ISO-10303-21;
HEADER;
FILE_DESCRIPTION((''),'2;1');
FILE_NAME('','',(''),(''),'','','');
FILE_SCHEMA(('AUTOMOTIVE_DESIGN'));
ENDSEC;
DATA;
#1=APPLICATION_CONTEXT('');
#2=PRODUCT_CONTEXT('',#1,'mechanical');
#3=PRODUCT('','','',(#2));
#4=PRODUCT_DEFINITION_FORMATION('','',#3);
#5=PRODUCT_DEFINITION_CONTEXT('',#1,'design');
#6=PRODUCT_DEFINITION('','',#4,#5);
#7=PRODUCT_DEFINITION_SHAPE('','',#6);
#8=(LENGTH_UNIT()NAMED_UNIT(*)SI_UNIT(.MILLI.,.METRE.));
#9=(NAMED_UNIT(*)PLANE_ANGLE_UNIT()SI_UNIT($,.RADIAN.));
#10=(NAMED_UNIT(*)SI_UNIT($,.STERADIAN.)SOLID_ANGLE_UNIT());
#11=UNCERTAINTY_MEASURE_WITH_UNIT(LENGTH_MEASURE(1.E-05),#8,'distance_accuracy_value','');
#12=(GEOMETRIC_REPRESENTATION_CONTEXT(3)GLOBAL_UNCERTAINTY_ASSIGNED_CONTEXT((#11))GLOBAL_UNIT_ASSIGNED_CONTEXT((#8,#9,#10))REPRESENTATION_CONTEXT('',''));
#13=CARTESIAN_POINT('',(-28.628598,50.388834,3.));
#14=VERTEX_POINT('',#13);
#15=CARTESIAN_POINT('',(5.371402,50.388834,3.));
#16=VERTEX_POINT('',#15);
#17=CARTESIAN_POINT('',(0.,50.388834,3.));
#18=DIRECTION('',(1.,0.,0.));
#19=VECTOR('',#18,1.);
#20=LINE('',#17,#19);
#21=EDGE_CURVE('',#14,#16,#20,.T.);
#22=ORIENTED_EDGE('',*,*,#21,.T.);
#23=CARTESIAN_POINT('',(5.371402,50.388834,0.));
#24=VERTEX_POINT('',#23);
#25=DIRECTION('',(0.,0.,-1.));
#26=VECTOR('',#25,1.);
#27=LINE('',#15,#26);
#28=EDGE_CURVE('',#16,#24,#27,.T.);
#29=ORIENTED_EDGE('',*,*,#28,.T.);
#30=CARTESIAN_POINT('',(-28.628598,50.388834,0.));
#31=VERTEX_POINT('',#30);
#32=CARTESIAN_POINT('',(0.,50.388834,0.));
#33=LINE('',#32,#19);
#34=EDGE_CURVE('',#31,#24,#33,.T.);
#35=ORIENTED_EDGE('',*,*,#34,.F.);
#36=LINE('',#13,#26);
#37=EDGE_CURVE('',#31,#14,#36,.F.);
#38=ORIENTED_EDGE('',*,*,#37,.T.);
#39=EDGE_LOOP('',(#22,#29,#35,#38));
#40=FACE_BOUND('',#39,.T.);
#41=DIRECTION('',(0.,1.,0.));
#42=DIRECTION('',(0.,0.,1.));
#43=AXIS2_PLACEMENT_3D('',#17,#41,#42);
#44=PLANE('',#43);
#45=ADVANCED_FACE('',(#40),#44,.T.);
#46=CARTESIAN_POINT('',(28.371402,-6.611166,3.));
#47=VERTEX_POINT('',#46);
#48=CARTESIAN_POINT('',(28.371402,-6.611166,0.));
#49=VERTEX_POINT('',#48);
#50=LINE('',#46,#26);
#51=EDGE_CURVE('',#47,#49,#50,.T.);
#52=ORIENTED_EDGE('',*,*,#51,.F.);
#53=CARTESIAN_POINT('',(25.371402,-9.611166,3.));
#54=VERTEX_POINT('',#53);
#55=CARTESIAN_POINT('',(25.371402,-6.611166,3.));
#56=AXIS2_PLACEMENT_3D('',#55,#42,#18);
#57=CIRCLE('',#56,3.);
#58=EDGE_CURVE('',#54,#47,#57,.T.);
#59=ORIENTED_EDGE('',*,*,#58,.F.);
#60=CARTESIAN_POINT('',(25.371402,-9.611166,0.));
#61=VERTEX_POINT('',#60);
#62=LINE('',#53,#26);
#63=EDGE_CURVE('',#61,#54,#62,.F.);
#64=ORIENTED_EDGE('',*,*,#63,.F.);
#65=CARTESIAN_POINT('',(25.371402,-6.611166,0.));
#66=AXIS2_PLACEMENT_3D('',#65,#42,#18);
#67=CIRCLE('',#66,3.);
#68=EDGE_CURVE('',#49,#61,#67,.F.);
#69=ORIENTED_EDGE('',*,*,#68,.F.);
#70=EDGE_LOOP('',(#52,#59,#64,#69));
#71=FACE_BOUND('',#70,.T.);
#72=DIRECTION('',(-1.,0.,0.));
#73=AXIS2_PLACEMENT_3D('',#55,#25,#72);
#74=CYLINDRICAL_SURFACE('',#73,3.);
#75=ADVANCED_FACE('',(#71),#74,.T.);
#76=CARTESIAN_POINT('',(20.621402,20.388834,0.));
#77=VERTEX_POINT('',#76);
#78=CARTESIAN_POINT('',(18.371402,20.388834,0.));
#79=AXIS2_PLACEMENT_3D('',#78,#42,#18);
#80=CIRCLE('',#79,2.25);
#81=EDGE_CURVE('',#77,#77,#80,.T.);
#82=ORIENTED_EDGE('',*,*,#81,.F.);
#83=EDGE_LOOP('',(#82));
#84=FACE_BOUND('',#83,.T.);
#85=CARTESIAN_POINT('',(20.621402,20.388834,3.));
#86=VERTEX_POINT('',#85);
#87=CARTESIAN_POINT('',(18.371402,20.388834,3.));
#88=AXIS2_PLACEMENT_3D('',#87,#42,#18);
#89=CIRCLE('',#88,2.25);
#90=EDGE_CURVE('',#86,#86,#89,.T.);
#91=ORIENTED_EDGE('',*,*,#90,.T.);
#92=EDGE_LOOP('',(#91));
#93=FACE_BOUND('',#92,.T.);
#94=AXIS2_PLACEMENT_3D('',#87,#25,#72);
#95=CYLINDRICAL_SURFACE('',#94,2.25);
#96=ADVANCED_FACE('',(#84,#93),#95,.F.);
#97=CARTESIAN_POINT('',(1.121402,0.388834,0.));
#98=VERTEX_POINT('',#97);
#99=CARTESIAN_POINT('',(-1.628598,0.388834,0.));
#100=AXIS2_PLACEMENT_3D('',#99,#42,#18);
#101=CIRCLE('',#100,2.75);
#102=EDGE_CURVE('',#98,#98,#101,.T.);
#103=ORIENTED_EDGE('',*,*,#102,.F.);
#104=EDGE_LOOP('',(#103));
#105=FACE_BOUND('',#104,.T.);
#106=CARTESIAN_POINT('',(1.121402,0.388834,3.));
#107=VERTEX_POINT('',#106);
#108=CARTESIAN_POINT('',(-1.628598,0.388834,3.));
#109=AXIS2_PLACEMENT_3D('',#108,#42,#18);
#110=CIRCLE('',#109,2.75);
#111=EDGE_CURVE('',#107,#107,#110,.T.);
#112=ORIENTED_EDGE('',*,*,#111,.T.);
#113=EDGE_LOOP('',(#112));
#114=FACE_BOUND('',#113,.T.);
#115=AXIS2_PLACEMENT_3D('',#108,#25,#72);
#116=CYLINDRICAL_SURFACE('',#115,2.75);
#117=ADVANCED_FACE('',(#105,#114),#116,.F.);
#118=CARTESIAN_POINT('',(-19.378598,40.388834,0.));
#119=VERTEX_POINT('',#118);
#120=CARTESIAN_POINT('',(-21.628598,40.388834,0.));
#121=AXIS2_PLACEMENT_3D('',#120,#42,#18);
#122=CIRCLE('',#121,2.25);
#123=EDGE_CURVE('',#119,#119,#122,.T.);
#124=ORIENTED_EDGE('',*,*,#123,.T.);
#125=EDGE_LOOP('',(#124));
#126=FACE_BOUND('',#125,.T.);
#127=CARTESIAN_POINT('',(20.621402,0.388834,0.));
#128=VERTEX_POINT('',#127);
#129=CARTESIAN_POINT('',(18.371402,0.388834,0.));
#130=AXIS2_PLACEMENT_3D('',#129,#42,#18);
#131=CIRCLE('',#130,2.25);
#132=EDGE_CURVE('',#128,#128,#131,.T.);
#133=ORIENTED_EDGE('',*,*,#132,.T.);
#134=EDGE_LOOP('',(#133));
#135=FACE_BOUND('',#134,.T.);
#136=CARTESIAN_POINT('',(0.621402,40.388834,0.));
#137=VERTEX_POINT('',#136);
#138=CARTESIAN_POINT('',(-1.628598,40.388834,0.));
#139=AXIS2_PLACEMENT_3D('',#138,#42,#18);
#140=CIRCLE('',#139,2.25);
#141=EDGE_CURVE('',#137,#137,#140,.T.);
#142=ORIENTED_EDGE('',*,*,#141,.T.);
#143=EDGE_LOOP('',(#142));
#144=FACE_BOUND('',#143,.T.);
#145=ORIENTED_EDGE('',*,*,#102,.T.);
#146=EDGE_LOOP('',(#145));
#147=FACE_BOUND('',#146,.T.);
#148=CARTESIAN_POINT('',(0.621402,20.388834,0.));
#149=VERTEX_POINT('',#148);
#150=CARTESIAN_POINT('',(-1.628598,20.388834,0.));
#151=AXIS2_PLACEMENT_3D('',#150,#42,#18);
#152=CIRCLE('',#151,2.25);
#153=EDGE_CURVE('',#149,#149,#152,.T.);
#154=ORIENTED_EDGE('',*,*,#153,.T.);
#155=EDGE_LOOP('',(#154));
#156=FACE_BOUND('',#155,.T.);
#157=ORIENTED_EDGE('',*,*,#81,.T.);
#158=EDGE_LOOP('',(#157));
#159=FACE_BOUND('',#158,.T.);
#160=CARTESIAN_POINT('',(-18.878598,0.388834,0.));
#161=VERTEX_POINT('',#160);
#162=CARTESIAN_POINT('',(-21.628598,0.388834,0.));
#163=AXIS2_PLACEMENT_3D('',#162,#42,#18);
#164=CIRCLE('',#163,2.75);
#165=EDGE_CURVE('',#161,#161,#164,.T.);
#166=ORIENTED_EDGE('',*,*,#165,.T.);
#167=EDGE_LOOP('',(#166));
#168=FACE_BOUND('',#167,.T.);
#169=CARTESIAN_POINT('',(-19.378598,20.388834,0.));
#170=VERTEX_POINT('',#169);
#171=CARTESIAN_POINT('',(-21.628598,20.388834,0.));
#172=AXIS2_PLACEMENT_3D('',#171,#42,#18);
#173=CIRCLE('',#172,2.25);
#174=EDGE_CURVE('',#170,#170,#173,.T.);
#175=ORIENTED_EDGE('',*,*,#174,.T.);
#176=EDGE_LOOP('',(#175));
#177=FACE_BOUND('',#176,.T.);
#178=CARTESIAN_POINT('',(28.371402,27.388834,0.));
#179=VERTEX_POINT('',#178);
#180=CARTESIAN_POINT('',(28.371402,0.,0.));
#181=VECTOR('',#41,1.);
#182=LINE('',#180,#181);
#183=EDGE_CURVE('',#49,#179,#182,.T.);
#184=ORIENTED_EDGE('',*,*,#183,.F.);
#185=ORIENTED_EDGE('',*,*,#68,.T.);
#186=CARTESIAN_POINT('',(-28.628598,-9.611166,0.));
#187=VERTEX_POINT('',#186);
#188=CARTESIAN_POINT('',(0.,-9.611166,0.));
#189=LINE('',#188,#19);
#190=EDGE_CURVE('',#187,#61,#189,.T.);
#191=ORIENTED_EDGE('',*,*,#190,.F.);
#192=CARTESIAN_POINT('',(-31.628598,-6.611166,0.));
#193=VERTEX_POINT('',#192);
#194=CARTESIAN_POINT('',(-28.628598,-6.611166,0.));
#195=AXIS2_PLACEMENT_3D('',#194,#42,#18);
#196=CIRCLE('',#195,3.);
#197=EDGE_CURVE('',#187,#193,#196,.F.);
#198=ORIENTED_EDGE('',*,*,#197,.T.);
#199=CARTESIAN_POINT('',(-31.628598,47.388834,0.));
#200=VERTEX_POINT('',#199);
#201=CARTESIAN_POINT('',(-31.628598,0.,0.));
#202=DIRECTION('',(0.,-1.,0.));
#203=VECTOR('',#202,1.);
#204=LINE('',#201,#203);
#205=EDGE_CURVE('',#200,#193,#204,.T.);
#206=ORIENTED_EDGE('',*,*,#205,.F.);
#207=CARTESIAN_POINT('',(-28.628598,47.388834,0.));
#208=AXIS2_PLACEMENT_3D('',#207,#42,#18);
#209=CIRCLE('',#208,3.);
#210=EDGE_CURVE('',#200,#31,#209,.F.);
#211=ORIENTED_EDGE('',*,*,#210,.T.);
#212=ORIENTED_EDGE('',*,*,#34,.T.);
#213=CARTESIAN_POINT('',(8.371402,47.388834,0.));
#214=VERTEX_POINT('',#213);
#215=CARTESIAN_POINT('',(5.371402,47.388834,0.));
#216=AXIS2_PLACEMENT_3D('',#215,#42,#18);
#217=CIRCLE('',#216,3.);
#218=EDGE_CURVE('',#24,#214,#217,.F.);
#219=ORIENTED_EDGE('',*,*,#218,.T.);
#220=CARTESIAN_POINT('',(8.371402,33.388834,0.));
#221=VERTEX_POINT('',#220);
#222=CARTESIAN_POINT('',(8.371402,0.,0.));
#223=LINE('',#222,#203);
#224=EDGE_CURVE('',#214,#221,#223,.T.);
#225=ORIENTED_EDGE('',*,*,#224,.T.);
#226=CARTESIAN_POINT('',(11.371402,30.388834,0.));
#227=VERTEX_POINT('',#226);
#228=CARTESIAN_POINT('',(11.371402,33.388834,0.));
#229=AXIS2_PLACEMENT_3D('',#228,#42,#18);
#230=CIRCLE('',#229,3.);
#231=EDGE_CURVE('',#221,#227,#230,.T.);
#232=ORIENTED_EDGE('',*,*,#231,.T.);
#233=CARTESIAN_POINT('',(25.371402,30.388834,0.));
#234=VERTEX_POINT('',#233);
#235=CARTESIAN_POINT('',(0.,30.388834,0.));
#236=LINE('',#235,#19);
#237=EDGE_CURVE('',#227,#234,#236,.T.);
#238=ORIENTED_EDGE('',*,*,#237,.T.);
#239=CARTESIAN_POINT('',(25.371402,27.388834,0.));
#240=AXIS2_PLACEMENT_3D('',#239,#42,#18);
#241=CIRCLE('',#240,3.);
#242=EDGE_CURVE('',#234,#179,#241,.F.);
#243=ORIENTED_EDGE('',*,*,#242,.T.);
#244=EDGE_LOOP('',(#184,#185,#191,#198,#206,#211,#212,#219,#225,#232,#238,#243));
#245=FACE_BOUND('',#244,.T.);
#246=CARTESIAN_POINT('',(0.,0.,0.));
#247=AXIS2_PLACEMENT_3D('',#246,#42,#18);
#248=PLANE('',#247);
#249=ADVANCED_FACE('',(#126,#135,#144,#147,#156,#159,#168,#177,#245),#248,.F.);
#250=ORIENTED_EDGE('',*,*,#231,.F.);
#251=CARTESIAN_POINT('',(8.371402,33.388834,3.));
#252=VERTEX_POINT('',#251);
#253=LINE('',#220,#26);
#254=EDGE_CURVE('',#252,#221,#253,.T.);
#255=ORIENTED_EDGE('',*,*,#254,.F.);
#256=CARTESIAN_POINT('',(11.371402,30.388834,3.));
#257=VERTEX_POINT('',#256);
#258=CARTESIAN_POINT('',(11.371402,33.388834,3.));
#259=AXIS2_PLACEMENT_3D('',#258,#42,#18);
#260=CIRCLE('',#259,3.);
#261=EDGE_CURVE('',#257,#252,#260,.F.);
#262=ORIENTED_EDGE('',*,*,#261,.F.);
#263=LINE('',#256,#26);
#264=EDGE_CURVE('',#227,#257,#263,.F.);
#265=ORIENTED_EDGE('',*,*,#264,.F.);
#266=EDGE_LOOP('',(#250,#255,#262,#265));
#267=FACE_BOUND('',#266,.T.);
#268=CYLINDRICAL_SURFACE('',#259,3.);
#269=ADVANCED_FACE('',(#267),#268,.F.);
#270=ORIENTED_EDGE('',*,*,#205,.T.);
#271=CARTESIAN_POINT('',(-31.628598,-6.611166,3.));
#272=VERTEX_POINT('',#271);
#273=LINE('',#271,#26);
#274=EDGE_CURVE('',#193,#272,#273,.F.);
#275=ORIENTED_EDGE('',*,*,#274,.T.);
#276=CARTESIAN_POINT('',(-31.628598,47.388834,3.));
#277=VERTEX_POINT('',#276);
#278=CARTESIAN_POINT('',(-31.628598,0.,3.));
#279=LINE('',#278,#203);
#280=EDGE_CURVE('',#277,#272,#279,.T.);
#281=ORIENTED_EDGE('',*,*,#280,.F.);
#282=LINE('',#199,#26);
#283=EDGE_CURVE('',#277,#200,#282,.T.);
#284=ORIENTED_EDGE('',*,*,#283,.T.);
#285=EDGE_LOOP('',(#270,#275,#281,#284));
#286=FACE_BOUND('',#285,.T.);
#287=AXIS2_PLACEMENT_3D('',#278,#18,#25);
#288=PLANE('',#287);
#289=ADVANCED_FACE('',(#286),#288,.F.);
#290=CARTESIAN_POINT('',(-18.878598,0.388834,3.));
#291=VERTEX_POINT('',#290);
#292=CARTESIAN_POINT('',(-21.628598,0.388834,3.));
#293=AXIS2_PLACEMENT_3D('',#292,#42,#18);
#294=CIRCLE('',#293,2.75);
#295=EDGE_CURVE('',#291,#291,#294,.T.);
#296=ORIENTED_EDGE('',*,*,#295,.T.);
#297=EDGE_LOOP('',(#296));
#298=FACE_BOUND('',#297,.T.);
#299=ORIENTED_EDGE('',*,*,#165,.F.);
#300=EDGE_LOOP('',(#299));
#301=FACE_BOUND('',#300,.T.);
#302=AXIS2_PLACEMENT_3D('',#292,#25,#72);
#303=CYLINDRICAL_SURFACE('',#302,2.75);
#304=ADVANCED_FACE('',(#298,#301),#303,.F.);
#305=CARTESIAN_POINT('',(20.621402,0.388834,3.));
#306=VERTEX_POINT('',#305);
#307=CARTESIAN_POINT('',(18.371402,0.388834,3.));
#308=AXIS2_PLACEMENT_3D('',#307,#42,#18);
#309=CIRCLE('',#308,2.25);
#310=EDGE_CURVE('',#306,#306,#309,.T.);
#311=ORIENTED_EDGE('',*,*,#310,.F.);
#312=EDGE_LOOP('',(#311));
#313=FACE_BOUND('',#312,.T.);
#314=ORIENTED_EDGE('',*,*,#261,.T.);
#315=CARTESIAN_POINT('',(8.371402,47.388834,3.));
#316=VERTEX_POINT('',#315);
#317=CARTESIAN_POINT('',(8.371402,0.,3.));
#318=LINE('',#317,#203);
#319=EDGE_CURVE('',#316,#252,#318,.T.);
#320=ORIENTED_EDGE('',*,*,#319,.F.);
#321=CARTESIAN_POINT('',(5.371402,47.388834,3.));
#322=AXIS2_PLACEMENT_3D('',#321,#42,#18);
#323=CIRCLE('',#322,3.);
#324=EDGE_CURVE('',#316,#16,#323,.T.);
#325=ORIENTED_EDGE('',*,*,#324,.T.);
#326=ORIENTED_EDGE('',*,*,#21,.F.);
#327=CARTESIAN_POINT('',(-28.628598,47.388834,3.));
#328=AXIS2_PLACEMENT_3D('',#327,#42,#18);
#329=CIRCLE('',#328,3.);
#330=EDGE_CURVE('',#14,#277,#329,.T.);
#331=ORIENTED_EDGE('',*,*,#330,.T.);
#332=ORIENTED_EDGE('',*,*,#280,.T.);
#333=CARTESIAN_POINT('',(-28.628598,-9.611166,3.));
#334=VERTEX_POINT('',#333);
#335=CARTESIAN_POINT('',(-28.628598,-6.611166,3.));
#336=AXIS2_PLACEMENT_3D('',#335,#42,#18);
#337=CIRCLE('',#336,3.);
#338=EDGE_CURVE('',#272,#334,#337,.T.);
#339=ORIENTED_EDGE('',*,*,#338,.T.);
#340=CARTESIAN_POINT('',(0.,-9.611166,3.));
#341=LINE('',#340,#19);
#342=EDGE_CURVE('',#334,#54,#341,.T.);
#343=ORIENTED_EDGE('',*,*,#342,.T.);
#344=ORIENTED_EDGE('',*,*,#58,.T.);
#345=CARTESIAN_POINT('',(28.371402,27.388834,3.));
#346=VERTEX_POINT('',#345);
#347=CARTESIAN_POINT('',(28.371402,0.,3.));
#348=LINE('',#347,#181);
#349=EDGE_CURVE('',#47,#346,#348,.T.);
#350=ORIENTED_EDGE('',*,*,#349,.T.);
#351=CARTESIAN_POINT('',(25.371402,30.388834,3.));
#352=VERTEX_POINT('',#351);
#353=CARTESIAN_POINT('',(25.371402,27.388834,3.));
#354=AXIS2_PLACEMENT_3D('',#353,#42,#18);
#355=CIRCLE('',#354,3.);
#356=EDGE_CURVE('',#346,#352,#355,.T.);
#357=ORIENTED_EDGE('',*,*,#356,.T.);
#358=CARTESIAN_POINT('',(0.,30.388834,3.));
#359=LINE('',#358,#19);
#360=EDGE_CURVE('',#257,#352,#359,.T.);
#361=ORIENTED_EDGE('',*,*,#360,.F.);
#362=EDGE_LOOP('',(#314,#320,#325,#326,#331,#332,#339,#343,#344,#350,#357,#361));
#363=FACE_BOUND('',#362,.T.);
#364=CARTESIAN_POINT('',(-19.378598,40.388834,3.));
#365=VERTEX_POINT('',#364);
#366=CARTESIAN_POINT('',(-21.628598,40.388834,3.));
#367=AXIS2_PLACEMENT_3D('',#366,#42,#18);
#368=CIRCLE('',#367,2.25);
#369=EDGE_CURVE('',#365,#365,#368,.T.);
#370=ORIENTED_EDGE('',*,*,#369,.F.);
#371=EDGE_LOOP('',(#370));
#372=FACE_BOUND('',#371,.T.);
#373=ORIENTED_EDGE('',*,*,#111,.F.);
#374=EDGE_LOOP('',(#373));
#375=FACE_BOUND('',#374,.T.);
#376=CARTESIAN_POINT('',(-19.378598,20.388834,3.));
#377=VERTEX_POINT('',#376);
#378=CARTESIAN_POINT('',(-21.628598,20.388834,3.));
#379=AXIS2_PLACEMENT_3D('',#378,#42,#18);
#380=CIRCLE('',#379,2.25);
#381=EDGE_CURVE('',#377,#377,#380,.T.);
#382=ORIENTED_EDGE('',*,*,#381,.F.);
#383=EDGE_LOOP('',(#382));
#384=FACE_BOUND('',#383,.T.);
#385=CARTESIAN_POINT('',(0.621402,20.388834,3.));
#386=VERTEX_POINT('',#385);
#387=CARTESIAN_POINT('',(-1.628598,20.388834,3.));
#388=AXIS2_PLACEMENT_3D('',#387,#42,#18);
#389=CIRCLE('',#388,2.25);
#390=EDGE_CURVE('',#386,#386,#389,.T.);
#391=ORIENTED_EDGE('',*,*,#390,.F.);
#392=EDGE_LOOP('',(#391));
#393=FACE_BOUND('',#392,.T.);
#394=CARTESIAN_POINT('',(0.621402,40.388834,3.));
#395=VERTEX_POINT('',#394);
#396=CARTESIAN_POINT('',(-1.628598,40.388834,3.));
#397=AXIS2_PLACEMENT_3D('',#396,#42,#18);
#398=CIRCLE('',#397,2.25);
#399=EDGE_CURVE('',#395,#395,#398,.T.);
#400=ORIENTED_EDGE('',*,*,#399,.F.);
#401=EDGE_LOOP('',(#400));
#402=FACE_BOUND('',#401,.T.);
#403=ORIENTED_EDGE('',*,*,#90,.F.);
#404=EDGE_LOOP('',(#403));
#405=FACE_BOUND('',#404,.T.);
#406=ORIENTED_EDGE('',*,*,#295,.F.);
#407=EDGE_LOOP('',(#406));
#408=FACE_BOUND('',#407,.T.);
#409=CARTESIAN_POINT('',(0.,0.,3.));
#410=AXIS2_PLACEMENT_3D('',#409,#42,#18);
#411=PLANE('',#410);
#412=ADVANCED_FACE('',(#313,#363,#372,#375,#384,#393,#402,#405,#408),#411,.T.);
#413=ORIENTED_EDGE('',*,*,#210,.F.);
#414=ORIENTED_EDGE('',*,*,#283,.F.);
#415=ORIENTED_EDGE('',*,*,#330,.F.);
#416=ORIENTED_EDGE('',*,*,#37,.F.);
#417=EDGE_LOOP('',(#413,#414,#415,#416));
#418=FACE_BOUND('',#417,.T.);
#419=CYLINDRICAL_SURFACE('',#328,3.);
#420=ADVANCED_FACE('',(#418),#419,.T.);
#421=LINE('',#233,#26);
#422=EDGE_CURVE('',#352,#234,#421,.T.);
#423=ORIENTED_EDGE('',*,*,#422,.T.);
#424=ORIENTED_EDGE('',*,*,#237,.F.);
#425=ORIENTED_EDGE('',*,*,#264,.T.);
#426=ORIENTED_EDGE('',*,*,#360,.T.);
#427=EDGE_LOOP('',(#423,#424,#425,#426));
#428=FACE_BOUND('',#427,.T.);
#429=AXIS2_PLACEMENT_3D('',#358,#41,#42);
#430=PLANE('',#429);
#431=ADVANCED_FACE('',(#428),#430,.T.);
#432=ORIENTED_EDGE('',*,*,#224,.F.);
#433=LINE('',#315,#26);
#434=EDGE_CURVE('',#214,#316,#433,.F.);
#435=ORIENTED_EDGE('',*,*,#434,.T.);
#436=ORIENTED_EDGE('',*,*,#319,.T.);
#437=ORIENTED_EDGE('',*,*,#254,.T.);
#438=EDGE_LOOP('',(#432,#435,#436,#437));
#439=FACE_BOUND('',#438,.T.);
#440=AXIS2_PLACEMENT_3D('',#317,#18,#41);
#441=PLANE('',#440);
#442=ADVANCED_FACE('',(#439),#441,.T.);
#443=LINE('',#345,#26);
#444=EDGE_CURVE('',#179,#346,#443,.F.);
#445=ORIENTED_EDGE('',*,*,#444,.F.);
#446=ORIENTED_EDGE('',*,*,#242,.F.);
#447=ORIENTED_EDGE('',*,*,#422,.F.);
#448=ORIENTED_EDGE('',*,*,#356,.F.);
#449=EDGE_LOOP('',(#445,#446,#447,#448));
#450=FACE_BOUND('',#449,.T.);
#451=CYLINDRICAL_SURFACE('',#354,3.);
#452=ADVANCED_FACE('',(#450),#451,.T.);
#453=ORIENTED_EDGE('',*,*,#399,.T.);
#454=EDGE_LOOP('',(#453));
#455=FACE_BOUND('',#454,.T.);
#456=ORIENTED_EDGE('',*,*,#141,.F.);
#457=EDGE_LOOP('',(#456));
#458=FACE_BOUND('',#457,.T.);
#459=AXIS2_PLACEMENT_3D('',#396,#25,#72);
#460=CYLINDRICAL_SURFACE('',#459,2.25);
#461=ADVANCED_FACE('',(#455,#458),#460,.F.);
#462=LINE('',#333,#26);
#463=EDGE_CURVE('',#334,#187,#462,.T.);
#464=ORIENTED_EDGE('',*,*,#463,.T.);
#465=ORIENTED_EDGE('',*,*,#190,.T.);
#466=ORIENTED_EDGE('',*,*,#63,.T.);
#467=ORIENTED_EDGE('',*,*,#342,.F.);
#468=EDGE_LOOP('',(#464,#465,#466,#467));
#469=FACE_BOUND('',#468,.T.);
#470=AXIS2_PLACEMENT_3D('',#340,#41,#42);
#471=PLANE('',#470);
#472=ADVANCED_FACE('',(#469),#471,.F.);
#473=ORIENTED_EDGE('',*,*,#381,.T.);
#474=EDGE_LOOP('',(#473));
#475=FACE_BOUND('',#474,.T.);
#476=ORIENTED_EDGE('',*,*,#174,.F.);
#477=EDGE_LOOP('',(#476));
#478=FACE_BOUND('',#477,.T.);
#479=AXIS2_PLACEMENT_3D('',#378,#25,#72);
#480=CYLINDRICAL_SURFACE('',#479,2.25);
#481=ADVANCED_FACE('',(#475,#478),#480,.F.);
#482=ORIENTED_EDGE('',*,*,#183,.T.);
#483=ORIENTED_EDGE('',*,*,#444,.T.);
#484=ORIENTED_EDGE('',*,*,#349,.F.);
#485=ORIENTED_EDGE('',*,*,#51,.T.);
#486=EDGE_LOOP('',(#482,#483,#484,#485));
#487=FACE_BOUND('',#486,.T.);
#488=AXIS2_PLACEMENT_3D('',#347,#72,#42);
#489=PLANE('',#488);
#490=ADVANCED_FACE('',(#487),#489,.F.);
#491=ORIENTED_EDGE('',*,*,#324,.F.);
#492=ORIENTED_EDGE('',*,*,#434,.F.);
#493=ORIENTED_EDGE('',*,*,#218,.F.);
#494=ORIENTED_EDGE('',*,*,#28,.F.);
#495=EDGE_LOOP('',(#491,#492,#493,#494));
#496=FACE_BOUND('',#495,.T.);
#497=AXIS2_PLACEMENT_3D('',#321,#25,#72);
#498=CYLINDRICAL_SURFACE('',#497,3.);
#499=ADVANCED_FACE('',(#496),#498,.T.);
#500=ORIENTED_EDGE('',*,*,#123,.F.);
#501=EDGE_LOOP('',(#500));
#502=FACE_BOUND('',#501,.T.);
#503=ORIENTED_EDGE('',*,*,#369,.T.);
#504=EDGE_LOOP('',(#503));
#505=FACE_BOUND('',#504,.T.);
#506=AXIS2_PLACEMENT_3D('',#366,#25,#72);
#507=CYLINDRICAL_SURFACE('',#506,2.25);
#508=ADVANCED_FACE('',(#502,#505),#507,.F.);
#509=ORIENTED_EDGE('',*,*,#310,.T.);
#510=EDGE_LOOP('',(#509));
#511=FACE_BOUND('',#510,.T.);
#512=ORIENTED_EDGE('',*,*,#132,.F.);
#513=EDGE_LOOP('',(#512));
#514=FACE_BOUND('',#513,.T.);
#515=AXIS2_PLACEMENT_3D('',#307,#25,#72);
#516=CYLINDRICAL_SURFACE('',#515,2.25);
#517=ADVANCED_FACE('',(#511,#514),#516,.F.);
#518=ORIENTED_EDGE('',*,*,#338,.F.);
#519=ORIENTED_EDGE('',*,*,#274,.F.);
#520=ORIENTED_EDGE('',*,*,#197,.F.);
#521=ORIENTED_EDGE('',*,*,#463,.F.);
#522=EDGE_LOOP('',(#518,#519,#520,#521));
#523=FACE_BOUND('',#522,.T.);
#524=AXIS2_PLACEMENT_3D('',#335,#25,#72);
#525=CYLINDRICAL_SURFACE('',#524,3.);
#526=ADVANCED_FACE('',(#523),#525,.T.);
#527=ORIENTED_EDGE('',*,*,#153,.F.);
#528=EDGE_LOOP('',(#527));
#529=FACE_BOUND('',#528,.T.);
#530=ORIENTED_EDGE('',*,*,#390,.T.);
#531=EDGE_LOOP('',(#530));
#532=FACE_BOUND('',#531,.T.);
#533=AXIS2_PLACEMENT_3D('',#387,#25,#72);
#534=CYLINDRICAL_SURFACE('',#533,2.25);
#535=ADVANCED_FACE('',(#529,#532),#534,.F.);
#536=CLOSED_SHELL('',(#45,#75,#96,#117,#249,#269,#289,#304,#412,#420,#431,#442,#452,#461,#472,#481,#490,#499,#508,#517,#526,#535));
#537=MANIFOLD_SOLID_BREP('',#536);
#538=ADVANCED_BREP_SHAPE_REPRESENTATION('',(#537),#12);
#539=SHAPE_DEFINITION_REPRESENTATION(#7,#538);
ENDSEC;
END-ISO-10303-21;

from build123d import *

# Parameters (mm, degrees)
SZKIC1_R                    = 2.75
SZKIC1_R_2                  = 2.25
DODANIE_WYCI_GNI_CIE1_DEPTH = 3
ZAOKR_GLENIE1_R             = 3
ZAOKR_GLENIE2_R             = 3


with BuildPart() as part:
    # Szkic1 → Dodanie-wyciągnięcie1 (new body)
    with BuildSketch(Plane.XY):
        Polygon((8.371402008, 50.388834407), (-31.628597992, 50.388834407), (-31.628597992, 10.388834407), (-31.628597992, -9.611165593), (-11.628597992, -9.611165593), (28.371402008, -9.611165593), (28.371402008, 30.388834407), (8.371402008, 30.388834407), align=None)
        with Locations((-21.628597992, 0.388834407)):
            Circle(SZKIC1_R, mode=Mode.SUBTRACT)
        with Locations((-1.628597992, 0.388834407)):
            Circle(SZKIC1_R, mode=Mode.SUBTRACT)
        with Locations((18.371402008, 0.388834407)):
            Circle(SZKIC1_R_2, mode=Mode.SUBTRACT)
        with Locations((-21.628597992, 20.388834407)):
            Circle(SZKIC1_R_2, mode=Mode.SUBTRACT)
        with Locations((-21.628597992, 40.388834407)):
            Circle(SZKIC1_R_2, mode=Mode.SUBTRACT)
        with Locations((-1.628597992, 20.388834407)):
            Circle(SZKIC1_R_2, mode=Mode.SUBTRACT)
        with Locations((18.371402008, 20.388834407)):
            Circle(SZKIC1_R_2, mode=Mode.SUBTRACT)
        with Locations((-1.628597992, 40.388834407)):
            Circle(SZKIC1_R_2, mode=Mode.SUBTRACT)
    extrude(amount=DODANIE_WYCI_GNI_CIE1_DEPTH)

    # Zaokrąglenie1
    zaokr_glenie1_edges = [part.edges().sort_by_distance(p)[0] for p in [
        (-31.628597992, -9.611165593, 1.5),
        (-31.628597992, 50.388834407, 1.5),
        (8.371402008, 50.388834407, 1.5),
        (28.371402008, 30.388834407, 1.5),
        (28.371402008, -9.611165593, 1.5),
    ]]
    fillet(zaokr_glenie1_edges, radius=ZAOKR_GLENIE1_R)

    # Zaokrąglenie2
    zaokr_glenie2_edges = [part.edges().sort_by_distance(p)[0] for p in [
        (8.371402008, 30.388834407, 1.5),
    ]]
    fillet(zaokr_glenie2_edges, radius=ZAOKR_GLENIE2_R)


solid = part.part
